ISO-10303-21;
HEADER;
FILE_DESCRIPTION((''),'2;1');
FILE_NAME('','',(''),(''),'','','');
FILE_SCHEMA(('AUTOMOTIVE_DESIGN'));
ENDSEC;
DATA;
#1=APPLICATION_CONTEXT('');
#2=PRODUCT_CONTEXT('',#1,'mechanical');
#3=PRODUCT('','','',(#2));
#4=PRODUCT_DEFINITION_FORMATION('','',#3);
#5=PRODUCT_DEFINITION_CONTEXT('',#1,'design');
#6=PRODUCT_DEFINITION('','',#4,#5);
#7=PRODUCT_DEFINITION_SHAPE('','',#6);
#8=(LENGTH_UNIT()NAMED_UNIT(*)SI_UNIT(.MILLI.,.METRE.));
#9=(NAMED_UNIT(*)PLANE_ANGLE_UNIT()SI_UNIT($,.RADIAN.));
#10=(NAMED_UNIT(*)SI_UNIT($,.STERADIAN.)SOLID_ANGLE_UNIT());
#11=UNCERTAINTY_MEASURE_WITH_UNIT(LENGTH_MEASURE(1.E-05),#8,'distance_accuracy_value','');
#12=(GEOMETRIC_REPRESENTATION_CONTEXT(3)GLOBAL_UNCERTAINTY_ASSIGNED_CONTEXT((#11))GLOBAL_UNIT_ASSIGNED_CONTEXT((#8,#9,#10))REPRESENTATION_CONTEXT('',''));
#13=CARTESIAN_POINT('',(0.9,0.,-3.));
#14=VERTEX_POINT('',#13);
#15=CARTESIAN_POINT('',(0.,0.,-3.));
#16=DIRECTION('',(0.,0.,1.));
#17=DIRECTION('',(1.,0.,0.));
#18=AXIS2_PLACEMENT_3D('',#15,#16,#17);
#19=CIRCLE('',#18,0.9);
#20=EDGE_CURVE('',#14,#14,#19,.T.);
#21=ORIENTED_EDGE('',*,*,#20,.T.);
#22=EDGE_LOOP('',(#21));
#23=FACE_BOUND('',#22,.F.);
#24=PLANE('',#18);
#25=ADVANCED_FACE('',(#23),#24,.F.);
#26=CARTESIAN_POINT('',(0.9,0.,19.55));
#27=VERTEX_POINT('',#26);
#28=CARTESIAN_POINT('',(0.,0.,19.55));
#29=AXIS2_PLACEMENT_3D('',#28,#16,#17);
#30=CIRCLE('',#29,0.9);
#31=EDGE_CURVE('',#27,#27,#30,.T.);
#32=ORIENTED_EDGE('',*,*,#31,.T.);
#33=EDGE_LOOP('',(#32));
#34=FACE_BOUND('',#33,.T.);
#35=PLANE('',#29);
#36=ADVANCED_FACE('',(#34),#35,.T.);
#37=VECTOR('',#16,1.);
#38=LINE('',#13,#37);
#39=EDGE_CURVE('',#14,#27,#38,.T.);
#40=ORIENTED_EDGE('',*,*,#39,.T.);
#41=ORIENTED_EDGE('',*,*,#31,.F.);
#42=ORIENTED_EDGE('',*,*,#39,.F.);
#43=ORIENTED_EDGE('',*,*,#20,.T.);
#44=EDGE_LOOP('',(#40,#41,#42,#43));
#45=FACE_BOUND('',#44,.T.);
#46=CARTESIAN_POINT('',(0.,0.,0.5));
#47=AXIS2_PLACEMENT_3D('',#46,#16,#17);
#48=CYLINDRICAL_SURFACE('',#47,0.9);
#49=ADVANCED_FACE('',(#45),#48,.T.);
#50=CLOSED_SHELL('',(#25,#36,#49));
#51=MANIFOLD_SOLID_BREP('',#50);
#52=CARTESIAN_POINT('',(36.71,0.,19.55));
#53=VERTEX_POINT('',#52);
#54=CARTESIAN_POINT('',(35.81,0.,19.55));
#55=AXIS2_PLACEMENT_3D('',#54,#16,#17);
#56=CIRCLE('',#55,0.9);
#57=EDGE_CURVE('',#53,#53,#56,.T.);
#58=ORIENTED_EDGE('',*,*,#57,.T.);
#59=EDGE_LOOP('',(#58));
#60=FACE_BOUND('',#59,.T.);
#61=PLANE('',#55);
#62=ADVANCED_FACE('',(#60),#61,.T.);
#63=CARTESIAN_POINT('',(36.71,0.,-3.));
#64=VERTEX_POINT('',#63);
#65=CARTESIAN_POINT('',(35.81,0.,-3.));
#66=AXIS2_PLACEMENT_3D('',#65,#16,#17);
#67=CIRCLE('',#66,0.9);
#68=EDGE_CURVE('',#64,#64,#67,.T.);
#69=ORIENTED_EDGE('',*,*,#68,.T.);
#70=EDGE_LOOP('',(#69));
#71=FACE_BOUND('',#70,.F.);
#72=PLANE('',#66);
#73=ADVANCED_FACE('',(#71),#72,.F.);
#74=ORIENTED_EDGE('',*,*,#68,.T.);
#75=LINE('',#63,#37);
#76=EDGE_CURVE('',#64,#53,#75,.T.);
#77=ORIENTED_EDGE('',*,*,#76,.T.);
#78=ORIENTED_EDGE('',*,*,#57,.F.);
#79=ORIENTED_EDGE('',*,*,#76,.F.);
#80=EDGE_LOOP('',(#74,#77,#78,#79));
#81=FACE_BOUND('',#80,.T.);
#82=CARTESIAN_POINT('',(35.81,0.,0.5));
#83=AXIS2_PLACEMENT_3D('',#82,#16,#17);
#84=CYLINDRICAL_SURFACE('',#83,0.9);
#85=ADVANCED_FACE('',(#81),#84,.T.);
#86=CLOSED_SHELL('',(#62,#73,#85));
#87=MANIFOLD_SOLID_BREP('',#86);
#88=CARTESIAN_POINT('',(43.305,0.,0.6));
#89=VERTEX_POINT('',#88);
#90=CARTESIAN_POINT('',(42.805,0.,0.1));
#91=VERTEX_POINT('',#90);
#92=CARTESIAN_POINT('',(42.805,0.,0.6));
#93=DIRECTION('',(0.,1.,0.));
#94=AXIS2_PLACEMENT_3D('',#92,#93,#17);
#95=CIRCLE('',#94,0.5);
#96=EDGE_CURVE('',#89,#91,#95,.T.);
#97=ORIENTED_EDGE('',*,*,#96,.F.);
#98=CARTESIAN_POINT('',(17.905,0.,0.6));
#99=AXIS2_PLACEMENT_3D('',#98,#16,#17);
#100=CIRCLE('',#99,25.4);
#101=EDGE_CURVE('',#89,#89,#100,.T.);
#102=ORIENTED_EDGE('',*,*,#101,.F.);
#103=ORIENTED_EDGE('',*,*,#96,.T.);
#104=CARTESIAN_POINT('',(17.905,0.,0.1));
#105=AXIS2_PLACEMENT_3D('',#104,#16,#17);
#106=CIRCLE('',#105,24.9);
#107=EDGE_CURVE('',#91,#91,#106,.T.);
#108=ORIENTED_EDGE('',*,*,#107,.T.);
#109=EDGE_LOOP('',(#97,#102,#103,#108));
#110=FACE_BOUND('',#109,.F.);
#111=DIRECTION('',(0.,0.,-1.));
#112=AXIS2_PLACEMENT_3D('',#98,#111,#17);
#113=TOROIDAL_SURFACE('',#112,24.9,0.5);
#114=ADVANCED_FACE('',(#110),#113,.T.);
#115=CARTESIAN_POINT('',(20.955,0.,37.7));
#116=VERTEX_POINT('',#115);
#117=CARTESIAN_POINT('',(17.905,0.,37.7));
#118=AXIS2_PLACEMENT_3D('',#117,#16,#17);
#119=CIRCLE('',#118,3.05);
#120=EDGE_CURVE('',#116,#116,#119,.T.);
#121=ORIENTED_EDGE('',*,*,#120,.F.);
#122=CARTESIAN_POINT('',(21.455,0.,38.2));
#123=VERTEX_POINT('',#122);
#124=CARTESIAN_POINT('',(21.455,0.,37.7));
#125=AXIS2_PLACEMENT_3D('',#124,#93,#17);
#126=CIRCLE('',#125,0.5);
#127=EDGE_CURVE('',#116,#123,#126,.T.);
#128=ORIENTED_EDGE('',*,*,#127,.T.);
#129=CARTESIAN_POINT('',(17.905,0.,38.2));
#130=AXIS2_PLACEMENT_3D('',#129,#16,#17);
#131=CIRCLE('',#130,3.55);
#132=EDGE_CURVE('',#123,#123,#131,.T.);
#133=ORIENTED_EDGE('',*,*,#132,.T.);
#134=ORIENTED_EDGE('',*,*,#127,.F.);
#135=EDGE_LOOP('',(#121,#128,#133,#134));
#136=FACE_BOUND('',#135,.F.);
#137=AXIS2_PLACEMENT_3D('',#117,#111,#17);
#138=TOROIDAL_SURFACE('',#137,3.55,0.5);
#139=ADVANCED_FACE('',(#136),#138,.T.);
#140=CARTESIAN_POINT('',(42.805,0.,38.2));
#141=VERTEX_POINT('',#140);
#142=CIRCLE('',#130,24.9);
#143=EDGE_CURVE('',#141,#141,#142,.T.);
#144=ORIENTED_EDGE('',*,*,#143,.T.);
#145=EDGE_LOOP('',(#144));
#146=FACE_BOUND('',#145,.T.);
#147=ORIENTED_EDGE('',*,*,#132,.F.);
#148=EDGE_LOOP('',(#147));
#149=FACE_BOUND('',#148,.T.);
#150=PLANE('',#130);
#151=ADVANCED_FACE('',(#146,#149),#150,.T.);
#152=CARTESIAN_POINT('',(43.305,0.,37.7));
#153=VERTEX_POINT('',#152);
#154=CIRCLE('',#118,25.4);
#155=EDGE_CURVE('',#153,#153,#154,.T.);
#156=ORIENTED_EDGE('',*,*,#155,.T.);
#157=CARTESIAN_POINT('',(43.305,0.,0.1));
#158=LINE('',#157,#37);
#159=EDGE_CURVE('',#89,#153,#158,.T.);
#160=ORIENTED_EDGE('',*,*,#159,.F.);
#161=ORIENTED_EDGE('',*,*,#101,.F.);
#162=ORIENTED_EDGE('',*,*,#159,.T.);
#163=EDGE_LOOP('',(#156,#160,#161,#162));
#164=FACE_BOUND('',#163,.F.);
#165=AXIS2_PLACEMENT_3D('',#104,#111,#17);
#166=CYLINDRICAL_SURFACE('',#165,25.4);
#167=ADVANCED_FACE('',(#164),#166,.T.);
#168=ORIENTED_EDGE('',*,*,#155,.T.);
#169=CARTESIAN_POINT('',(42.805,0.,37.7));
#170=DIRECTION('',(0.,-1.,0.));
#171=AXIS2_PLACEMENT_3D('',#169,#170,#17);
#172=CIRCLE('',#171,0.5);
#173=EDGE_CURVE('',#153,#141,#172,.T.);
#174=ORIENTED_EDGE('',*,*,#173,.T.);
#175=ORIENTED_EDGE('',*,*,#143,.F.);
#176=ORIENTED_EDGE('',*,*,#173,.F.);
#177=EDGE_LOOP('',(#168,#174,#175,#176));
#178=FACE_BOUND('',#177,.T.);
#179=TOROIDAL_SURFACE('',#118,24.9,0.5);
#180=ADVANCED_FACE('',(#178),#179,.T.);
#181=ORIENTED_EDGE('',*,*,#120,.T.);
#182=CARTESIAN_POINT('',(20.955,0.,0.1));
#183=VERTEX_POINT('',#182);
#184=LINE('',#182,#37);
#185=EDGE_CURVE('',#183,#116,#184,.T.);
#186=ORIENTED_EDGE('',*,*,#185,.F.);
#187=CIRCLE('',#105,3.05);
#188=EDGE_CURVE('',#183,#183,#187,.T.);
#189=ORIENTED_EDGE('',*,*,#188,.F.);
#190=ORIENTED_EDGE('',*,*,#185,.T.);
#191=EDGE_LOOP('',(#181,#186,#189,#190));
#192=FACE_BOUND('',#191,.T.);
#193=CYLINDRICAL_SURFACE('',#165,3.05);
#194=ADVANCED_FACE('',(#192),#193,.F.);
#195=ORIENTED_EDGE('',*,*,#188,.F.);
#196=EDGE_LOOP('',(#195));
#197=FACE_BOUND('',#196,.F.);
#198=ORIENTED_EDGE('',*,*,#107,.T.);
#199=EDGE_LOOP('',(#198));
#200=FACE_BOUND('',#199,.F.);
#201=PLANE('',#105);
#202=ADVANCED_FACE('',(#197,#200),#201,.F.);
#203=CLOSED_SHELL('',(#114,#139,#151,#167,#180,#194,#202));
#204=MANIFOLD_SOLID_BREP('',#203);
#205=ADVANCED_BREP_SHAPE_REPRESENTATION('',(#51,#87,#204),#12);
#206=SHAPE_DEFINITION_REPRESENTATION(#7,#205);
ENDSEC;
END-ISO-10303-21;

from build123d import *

# Parameters (mm, degrees)
SKETCH001_R       = 0.9
PAD001_DEPTH      = 19.05
PAD001_DEPTH_BACK = 3.5
SKETCH_R          = 25.4
SKETCH_R_2        = 3.05
PAD_DEPTH         = 38.1
FILLET_R          = 0.5


with BuildPart() as pad001:
    # Sketch001 → Pad001 (new body, two sides)
    with BuildSketch(Plane.XY.offset(0.5)) as pad001_sk:
        Circle(SKETCH001_R)
        with Locations((35.81, 0)):
            Circle(SKETCH001_R)
    extrude(amount=PAD001_DEPTH)
    extrude(pad001_sk.sketch, amount=-PAD001_DEPTH_BACK)


with BuildPart() as fillet_body:
    # Sketch → Pad (new body)
    with BuildSketch(Plane.XY.offset(0.1)):
        with Locations((17.905, 0)):
            Circle(SKETCH_R)
        with Locations((17.905, 0)):
            Circle(SKETCH_R_2, mode=Mode.SUBTRACT)
    extrude(amount=PAD_DEPTH)

    # Fillet
    fillet_edges = [fillet_body.edges().sort_by_distance(p)[0] for p in [
        (14.855, 0, 38.2),
        (-7.495, 0, 38.2),
        (-7.495, 0, 0.1),
    ]]
    fillet(fillet_edges, radius=FILLET_R)


solid = Compound([pad001.part, fillet_body.part])
